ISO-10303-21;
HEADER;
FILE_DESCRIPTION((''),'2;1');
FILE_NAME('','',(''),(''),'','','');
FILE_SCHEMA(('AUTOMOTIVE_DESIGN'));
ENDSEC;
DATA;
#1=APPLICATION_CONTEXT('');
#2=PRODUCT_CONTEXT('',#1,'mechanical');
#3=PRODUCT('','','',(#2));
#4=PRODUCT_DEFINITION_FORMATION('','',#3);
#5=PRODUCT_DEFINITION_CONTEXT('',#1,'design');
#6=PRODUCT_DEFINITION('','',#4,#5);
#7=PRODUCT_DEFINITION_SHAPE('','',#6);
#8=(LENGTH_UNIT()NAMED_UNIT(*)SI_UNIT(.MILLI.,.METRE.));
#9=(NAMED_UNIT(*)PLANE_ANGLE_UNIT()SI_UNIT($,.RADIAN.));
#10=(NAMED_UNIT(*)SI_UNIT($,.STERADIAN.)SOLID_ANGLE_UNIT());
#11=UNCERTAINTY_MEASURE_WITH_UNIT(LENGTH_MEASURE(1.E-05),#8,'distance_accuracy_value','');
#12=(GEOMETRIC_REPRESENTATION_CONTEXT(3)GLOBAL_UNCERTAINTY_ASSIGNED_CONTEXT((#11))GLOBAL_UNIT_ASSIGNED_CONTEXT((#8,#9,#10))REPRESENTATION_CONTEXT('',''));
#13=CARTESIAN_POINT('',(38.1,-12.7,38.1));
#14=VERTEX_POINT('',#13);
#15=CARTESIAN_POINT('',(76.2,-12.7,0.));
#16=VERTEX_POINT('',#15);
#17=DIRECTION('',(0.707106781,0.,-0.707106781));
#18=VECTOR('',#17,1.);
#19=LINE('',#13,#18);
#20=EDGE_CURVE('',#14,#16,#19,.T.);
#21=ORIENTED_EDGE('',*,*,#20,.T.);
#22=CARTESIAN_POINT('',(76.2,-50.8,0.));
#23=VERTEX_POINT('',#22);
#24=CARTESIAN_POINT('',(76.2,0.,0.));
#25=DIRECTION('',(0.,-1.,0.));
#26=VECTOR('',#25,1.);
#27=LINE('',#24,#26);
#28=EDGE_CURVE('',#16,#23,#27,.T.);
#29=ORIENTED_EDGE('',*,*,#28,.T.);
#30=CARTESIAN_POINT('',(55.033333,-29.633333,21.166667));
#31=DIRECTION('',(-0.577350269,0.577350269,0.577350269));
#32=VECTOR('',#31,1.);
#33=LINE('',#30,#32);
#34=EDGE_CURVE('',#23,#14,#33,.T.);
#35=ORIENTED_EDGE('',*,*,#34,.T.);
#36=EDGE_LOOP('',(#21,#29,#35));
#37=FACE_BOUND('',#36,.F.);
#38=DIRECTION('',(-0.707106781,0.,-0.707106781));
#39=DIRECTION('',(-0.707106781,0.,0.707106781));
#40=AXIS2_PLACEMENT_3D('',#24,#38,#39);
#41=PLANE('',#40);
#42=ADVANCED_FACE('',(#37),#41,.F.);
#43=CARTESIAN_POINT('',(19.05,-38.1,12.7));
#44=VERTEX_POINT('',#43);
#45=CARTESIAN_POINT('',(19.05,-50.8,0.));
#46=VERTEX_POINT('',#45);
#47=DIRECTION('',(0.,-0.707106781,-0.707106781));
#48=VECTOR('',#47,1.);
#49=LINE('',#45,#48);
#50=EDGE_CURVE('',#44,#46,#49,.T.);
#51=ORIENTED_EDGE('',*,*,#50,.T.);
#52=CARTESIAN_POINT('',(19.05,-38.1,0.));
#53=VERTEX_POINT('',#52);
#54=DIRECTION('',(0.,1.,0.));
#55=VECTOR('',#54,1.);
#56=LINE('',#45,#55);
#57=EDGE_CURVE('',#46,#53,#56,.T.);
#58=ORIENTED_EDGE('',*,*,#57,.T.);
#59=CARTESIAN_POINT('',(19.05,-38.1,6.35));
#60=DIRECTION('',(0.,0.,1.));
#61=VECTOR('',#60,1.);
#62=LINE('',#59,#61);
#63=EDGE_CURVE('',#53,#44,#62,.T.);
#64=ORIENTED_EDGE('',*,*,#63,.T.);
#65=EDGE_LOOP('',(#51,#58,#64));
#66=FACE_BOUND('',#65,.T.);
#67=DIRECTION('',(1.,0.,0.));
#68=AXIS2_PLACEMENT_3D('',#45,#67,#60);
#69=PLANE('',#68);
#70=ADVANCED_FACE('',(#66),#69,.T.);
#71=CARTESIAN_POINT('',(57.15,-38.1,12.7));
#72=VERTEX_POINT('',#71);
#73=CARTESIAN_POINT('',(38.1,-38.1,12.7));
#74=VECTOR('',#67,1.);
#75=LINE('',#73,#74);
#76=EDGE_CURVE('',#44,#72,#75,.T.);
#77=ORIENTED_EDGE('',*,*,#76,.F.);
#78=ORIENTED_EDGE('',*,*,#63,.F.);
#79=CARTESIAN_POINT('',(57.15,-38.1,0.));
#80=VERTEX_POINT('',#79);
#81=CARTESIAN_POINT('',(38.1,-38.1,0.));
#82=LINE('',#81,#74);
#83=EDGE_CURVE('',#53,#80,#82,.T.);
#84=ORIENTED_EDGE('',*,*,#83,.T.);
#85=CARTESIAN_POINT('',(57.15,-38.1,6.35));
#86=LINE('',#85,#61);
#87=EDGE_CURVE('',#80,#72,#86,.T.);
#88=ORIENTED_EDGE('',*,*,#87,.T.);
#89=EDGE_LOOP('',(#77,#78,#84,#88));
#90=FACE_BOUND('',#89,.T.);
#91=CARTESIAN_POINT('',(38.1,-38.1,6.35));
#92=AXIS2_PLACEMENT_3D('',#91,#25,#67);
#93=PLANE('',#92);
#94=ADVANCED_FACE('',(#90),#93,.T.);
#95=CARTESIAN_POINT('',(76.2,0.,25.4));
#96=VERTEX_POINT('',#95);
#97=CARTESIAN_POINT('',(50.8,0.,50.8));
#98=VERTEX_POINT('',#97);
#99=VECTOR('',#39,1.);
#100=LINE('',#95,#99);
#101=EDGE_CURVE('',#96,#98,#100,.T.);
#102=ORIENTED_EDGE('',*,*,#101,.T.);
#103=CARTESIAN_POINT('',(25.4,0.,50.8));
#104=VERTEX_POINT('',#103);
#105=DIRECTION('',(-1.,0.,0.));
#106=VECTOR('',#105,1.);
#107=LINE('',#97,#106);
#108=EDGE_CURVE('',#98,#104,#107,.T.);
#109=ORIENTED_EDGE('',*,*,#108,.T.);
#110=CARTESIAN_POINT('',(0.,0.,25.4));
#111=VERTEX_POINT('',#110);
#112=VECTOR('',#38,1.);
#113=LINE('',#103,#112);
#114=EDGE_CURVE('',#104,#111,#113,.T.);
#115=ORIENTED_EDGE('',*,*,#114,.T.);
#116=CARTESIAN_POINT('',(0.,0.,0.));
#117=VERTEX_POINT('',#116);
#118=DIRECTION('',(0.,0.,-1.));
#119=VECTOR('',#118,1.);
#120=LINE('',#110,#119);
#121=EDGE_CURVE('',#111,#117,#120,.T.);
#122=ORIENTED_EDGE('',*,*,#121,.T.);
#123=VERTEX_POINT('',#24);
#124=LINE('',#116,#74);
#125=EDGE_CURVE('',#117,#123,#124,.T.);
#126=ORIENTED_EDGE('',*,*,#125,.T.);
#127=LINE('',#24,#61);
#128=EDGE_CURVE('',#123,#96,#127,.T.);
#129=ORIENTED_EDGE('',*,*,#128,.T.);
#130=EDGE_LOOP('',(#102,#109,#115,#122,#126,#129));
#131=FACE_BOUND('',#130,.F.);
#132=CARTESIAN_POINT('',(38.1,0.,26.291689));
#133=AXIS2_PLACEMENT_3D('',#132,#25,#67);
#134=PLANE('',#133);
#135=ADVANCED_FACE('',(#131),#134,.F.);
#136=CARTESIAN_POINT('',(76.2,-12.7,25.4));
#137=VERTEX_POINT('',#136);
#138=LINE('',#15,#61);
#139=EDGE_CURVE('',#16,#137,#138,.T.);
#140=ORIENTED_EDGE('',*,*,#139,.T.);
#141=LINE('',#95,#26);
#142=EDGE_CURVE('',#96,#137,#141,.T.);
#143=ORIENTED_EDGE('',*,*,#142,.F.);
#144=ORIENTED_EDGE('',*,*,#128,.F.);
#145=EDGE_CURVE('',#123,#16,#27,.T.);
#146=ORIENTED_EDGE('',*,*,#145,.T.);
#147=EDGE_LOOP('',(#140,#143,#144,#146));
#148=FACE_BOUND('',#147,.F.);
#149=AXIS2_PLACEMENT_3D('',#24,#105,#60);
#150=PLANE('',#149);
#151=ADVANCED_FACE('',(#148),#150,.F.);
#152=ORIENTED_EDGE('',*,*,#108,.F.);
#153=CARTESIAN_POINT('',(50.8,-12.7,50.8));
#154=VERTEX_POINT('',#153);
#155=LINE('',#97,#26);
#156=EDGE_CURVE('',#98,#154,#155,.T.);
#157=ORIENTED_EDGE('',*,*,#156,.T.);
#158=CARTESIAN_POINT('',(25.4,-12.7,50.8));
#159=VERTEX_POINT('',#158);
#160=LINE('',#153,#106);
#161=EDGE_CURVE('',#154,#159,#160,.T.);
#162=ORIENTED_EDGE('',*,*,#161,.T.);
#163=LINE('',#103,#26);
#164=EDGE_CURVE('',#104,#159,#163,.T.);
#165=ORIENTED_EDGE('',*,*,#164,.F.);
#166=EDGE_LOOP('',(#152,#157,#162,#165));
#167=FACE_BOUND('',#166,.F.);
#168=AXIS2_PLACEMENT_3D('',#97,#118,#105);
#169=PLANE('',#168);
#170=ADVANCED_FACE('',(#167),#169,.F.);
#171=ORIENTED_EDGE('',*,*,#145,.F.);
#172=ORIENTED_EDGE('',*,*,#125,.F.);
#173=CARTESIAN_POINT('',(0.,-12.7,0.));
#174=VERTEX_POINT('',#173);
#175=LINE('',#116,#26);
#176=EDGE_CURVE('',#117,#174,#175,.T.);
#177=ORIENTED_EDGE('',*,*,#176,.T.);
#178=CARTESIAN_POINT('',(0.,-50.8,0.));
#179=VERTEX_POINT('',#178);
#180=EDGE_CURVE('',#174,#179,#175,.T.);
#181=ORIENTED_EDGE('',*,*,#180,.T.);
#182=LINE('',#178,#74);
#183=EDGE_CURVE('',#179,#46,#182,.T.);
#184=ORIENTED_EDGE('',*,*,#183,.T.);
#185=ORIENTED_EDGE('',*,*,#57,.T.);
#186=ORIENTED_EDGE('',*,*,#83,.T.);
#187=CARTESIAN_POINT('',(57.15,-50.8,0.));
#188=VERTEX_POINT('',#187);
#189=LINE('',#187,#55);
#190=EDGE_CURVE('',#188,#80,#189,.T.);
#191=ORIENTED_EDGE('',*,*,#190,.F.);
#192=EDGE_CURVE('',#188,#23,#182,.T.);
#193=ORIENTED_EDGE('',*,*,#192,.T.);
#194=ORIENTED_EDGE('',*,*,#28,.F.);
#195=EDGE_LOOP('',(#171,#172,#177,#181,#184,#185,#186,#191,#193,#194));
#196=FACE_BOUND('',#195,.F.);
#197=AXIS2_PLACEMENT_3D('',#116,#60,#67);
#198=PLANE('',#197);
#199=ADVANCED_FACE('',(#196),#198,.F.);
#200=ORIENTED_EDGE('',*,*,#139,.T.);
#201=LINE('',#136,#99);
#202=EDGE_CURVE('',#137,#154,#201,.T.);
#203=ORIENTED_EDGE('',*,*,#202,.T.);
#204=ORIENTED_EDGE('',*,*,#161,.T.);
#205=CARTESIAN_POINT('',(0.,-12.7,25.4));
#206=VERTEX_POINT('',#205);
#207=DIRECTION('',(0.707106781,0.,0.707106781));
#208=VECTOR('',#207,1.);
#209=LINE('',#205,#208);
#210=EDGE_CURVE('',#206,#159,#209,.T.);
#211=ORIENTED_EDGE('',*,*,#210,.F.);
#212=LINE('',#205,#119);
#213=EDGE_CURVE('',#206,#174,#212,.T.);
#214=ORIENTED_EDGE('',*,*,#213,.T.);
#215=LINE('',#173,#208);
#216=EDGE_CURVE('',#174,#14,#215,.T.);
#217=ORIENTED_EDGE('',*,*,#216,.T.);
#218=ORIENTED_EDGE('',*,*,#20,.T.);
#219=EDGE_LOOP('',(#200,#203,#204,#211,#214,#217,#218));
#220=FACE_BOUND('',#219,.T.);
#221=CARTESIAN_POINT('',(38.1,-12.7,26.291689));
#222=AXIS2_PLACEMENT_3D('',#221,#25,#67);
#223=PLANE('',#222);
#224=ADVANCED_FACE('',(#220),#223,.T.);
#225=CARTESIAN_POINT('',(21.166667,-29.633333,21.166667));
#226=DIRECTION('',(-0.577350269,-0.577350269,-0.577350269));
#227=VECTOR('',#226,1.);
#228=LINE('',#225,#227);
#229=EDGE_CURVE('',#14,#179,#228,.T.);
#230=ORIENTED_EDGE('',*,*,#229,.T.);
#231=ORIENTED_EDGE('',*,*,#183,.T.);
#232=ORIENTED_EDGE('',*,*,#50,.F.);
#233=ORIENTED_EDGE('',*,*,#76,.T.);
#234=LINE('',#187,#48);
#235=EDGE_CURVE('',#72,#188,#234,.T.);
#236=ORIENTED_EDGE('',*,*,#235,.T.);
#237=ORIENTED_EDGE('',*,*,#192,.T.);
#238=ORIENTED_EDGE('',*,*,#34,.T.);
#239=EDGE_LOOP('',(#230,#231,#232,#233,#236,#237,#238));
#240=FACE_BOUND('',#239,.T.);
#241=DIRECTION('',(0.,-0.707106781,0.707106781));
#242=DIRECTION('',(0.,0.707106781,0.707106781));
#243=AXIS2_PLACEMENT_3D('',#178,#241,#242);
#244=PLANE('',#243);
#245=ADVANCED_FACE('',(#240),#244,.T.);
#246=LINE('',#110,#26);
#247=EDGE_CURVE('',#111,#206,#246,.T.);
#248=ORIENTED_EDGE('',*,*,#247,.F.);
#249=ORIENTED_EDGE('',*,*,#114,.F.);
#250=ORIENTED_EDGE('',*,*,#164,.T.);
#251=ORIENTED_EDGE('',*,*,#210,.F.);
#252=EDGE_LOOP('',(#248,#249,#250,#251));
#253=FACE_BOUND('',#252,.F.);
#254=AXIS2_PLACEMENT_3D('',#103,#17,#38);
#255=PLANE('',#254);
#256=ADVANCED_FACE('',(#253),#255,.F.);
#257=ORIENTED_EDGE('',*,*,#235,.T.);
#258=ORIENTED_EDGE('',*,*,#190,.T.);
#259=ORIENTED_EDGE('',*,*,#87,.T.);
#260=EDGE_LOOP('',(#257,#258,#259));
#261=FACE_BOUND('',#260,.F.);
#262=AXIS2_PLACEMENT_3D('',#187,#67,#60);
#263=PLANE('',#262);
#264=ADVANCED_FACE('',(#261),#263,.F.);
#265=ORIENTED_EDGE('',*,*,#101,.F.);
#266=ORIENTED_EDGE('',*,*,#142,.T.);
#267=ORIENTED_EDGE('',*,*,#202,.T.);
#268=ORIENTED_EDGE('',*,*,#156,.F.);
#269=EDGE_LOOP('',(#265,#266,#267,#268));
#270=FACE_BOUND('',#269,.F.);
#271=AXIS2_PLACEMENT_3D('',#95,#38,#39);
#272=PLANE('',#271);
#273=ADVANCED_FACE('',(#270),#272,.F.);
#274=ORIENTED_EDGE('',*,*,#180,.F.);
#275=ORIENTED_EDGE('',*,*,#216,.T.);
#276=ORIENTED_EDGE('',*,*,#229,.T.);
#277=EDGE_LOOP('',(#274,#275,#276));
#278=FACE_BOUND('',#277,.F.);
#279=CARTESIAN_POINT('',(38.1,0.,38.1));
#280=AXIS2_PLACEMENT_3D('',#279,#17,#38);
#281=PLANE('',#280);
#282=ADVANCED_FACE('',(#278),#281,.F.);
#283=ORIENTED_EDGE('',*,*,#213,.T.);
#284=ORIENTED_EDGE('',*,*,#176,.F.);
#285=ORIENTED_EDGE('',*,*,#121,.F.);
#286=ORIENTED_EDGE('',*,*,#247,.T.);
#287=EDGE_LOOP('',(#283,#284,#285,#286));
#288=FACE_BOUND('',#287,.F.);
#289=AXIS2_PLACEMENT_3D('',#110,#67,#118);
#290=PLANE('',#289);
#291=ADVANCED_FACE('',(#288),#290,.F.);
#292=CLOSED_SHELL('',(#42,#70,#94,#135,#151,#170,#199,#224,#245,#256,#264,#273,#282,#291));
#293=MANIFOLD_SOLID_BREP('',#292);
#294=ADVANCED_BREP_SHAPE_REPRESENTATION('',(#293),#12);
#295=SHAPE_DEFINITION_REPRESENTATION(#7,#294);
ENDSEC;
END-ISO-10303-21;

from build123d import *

# Parameters (mm, degrees)
F0_W     = 38.1
F0_H     = 12.7
F1_DEPTH = 50.8
F2_W     = 38.1
F2_H     = 12.7
F3_DEPTH = 12.7
F4_DEPTH = 12.7
F6_DEPTH = 76.201


with BuildPart() as f1:
    # F0 (on Front) → F1 (new body)
    with BuildSketch(Plane.XZ):
        Polygon((38.1, 38.1), (0, 0), (19.05, 0), (19.05, 12.7), (57.15, 12.7), (57.15, 0), (76.2, 0), align=None)
        with Locations((38.1, 6.35)):
            Rectangle(F0_W, F0_H)
    extrude(amount=F1_DEPTH)

    # F2 (on face) → F3 (cut)
    with BuildSketch(Plane.XZ.offset(50.8)):
        with Locations((38.1, 6.35)):
            Rectangle(F2_W, F2_H)
    extrude(amount=-F3_DEPTH, mode=Mode.SUBTRACT)

    # F0 (on Front) → F4 (join)
    with BuildSketch(Plane.XZ):
        Polygon((0, 25.4), (0, 0), (38.1, 38.1), (76.2, 0), (76.2, 25.4), (50.8, 50.8), (25.4, 50.8), align=None)
    extrude(amount=F4_DEPTH)

    # F5 (on Right) → F6 (cut, through all)
    with BuildSketch(Plane.YZ):
        Polygon((-50.8, 38.1), (-50.8, 0), (-12.7, 38.1), align=None)
    extrude(amount=F6_DEPTH, mode=Mode.SUBTRACT)


solid = f1.part
